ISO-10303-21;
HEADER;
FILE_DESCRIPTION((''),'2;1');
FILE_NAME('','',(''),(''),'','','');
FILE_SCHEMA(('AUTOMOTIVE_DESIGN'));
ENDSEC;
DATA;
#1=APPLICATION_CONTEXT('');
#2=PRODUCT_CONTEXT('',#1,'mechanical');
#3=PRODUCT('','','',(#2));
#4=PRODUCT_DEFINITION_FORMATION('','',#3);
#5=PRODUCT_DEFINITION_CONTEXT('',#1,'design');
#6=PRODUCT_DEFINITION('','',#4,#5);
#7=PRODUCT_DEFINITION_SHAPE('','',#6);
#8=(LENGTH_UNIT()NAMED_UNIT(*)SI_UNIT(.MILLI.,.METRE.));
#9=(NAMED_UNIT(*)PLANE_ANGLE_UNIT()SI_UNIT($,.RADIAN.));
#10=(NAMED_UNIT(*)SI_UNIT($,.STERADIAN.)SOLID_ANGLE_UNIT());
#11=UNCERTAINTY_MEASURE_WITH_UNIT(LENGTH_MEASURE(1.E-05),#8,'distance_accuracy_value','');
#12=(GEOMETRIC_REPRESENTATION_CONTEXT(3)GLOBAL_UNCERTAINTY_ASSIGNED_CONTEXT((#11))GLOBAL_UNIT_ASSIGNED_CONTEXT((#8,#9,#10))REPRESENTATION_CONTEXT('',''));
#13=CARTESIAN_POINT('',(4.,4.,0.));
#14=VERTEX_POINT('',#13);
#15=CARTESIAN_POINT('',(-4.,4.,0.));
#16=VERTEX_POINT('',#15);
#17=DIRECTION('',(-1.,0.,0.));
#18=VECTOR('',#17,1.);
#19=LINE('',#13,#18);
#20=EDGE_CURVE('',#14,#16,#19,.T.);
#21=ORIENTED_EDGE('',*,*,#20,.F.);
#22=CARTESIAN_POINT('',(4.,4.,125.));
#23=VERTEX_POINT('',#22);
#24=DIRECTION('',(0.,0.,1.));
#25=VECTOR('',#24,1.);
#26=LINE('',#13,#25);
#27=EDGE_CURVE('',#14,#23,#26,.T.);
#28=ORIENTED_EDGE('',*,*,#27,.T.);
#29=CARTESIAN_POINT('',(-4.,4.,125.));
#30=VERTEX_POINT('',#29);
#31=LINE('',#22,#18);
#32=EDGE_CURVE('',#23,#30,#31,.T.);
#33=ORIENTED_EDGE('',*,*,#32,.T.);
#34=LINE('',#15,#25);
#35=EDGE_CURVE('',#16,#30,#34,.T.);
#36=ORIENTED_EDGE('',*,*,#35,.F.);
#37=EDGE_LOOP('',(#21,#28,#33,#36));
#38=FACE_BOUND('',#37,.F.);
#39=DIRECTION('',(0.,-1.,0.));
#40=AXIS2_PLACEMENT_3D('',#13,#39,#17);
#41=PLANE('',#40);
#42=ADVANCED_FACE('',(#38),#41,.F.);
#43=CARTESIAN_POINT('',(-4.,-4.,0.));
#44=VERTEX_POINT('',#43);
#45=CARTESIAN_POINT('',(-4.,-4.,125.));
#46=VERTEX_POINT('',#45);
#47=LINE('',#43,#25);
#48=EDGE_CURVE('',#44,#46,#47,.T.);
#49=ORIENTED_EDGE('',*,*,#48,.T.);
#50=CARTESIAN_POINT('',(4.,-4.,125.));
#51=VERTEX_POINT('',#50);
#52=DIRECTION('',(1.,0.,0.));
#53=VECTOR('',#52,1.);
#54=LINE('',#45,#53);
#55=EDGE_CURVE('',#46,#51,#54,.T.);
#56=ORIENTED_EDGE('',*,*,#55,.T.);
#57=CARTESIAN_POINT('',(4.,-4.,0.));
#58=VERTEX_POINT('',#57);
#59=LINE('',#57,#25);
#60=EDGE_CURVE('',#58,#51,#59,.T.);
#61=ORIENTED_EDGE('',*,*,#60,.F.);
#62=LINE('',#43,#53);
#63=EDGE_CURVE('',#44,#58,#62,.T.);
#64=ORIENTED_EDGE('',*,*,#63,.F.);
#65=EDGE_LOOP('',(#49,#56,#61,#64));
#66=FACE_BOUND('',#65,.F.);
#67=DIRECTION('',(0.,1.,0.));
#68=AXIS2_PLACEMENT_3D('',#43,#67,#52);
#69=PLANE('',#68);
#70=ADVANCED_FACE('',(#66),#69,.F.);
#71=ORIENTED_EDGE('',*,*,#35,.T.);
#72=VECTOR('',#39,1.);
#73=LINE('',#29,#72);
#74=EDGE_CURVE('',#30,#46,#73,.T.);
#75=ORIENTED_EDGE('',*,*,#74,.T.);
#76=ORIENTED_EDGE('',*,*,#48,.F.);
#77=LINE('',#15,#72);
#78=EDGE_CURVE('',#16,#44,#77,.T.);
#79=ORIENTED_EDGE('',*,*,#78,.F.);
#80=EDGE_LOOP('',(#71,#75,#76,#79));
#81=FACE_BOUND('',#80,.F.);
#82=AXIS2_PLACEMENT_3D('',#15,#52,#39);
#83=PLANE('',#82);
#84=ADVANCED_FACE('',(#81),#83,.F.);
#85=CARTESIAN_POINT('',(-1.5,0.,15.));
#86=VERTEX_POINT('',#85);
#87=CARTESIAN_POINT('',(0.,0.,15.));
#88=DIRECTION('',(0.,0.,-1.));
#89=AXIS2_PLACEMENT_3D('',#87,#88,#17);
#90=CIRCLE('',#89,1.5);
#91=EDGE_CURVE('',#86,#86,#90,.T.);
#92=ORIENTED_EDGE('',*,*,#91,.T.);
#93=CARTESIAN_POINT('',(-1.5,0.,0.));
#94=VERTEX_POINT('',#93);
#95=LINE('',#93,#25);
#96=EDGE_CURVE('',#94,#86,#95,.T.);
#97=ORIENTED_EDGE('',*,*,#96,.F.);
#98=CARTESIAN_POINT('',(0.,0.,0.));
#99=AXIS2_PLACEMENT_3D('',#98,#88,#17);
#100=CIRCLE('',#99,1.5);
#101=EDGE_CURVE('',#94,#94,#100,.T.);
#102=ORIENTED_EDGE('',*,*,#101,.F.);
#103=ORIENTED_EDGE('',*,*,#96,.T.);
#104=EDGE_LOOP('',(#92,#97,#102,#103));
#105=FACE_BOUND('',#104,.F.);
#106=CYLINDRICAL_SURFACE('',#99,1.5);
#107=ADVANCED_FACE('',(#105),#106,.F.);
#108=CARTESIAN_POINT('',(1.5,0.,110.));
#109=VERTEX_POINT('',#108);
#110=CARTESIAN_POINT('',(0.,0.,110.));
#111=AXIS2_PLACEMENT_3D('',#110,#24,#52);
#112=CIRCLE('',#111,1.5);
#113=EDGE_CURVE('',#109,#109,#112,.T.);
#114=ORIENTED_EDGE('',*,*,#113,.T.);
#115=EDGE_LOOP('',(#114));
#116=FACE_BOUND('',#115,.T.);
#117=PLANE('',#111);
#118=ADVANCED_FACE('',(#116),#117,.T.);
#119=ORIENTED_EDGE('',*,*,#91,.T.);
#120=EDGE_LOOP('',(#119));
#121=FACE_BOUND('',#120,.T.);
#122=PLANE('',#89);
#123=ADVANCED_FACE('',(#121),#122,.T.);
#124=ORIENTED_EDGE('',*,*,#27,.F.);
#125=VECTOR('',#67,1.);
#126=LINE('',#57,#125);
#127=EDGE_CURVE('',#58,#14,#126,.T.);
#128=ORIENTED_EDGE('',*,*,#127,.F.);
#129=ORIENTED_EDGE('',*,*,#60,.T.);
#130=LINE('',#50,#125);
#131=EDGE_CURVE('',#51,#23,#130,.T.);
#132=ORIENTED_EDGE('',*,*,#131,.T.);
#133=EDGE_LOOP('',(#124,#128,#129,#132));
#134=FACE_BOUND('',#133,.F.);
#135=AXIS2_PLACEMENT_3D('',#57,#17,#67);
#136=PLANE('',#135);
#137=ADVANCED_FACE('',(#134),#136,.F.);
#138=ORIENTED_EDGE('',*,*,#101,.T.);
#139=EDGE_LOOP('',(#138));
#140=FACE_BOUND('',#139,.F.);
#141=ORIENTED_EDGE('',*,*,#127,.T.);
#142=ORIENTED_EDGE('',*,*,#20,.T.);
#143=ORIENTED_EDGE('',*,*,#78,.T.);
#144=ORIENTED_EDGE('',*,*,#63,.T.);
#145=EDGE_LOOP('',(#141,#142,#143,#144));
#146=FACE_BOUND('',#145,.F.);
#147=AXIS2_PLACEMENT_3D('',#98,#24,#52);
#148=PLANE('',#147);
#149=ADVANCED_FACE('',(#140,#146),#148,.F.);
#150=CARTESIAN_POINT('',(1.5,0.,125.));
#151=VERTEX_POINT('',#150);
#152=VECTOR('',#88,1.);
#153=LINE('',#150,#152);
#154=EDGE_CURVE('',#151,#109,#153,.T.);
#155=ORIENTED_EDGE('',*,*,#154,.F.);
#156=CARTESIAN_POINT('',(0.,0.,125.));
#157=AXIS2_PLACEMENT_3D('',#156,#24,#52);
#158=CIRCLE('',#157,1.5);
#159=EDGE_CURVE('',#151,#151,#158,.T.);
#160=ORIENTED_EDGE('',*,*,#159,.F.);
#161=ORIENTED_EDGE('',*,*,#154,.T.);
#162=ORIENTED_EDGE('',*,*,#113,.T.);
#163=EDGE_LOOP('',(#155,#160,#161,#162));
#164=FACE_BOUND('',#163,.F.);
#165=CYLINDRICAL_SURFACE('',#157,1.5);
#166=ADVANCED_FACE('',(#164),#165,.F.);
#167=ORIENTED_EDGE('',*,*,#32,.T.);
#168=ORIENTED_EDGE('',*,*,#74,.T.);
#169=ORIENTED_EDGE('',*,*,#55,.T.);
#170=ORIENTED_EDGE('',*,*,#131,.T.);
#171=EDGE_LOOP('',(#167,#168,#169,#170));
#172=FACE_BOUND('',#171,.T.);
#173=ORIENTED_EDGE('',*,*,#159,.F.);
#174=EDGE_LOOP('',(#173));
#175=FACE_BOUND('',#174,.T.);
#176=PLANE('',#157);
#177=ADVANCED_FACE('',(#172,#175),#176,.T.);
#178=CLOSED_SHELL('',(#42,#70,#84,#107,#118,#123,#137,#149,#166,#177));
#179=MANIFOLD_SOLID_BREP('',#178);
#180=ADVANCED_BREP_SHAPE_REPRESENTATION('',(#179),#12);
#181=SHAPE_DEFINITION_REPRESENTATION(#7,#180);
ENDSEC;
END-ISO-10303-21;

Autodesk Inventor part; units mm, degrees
ref_plane "YZ Plane" through (0, 0, 0) normal (1, 0, 0) x (0, 1, 0)
ref_plane "XZ Plane" through (0, 0, 0) normal (0, 1, 0) x (-1, 0, 0)
ref_plane "XY Plane" through (0, 0, 0) normal (0, 0, 1) x (1, 0, 0)
sketch "Sketch1" plane through (0, 0, 0) normal (0, 0, 1) x (1, 0, 0)
  line L0 (4, 4) -> (-4, 4)
  line L1 (-4, 4) -> (-4, -4)
  line L2 (-4, -4) -> (4, -4)
  line L3 (4, -4) -> (4, 4)
  line L4 (4, 4) -> (-4, -4) construction
  line L5 (-4, 4) -> (4, -4) construction
  point P0 (0, 0)
  dimension "d0" = 8
  dimension "d1" = 8
extrude "Extrusion1" add sketch "Sketch1" along normal blind 125
sketch "Sketch2" plane through (0, 0, 125) normal (0, 0, 1) x (1, 0, 0)
  circle A0 centre (0, 0) radius 1.5
  dimension "d4" = 3
extrude "Extrusion2" cut sketch "Sketch2" against normal blind 15
sketch "Sketch4" plane through (0, 0, 0) normal (0, 0, -1) x (-1, 0, 0)
  circle A0 centre (0, 0) radius 1.5 projected
  circle A1 centre (0, 0) radius 1.5
  dimension "d11" = 3
extrude "Extrusion4" cut sketch "Sketch4" against normal blind 15
properties part number "bacaklar"
